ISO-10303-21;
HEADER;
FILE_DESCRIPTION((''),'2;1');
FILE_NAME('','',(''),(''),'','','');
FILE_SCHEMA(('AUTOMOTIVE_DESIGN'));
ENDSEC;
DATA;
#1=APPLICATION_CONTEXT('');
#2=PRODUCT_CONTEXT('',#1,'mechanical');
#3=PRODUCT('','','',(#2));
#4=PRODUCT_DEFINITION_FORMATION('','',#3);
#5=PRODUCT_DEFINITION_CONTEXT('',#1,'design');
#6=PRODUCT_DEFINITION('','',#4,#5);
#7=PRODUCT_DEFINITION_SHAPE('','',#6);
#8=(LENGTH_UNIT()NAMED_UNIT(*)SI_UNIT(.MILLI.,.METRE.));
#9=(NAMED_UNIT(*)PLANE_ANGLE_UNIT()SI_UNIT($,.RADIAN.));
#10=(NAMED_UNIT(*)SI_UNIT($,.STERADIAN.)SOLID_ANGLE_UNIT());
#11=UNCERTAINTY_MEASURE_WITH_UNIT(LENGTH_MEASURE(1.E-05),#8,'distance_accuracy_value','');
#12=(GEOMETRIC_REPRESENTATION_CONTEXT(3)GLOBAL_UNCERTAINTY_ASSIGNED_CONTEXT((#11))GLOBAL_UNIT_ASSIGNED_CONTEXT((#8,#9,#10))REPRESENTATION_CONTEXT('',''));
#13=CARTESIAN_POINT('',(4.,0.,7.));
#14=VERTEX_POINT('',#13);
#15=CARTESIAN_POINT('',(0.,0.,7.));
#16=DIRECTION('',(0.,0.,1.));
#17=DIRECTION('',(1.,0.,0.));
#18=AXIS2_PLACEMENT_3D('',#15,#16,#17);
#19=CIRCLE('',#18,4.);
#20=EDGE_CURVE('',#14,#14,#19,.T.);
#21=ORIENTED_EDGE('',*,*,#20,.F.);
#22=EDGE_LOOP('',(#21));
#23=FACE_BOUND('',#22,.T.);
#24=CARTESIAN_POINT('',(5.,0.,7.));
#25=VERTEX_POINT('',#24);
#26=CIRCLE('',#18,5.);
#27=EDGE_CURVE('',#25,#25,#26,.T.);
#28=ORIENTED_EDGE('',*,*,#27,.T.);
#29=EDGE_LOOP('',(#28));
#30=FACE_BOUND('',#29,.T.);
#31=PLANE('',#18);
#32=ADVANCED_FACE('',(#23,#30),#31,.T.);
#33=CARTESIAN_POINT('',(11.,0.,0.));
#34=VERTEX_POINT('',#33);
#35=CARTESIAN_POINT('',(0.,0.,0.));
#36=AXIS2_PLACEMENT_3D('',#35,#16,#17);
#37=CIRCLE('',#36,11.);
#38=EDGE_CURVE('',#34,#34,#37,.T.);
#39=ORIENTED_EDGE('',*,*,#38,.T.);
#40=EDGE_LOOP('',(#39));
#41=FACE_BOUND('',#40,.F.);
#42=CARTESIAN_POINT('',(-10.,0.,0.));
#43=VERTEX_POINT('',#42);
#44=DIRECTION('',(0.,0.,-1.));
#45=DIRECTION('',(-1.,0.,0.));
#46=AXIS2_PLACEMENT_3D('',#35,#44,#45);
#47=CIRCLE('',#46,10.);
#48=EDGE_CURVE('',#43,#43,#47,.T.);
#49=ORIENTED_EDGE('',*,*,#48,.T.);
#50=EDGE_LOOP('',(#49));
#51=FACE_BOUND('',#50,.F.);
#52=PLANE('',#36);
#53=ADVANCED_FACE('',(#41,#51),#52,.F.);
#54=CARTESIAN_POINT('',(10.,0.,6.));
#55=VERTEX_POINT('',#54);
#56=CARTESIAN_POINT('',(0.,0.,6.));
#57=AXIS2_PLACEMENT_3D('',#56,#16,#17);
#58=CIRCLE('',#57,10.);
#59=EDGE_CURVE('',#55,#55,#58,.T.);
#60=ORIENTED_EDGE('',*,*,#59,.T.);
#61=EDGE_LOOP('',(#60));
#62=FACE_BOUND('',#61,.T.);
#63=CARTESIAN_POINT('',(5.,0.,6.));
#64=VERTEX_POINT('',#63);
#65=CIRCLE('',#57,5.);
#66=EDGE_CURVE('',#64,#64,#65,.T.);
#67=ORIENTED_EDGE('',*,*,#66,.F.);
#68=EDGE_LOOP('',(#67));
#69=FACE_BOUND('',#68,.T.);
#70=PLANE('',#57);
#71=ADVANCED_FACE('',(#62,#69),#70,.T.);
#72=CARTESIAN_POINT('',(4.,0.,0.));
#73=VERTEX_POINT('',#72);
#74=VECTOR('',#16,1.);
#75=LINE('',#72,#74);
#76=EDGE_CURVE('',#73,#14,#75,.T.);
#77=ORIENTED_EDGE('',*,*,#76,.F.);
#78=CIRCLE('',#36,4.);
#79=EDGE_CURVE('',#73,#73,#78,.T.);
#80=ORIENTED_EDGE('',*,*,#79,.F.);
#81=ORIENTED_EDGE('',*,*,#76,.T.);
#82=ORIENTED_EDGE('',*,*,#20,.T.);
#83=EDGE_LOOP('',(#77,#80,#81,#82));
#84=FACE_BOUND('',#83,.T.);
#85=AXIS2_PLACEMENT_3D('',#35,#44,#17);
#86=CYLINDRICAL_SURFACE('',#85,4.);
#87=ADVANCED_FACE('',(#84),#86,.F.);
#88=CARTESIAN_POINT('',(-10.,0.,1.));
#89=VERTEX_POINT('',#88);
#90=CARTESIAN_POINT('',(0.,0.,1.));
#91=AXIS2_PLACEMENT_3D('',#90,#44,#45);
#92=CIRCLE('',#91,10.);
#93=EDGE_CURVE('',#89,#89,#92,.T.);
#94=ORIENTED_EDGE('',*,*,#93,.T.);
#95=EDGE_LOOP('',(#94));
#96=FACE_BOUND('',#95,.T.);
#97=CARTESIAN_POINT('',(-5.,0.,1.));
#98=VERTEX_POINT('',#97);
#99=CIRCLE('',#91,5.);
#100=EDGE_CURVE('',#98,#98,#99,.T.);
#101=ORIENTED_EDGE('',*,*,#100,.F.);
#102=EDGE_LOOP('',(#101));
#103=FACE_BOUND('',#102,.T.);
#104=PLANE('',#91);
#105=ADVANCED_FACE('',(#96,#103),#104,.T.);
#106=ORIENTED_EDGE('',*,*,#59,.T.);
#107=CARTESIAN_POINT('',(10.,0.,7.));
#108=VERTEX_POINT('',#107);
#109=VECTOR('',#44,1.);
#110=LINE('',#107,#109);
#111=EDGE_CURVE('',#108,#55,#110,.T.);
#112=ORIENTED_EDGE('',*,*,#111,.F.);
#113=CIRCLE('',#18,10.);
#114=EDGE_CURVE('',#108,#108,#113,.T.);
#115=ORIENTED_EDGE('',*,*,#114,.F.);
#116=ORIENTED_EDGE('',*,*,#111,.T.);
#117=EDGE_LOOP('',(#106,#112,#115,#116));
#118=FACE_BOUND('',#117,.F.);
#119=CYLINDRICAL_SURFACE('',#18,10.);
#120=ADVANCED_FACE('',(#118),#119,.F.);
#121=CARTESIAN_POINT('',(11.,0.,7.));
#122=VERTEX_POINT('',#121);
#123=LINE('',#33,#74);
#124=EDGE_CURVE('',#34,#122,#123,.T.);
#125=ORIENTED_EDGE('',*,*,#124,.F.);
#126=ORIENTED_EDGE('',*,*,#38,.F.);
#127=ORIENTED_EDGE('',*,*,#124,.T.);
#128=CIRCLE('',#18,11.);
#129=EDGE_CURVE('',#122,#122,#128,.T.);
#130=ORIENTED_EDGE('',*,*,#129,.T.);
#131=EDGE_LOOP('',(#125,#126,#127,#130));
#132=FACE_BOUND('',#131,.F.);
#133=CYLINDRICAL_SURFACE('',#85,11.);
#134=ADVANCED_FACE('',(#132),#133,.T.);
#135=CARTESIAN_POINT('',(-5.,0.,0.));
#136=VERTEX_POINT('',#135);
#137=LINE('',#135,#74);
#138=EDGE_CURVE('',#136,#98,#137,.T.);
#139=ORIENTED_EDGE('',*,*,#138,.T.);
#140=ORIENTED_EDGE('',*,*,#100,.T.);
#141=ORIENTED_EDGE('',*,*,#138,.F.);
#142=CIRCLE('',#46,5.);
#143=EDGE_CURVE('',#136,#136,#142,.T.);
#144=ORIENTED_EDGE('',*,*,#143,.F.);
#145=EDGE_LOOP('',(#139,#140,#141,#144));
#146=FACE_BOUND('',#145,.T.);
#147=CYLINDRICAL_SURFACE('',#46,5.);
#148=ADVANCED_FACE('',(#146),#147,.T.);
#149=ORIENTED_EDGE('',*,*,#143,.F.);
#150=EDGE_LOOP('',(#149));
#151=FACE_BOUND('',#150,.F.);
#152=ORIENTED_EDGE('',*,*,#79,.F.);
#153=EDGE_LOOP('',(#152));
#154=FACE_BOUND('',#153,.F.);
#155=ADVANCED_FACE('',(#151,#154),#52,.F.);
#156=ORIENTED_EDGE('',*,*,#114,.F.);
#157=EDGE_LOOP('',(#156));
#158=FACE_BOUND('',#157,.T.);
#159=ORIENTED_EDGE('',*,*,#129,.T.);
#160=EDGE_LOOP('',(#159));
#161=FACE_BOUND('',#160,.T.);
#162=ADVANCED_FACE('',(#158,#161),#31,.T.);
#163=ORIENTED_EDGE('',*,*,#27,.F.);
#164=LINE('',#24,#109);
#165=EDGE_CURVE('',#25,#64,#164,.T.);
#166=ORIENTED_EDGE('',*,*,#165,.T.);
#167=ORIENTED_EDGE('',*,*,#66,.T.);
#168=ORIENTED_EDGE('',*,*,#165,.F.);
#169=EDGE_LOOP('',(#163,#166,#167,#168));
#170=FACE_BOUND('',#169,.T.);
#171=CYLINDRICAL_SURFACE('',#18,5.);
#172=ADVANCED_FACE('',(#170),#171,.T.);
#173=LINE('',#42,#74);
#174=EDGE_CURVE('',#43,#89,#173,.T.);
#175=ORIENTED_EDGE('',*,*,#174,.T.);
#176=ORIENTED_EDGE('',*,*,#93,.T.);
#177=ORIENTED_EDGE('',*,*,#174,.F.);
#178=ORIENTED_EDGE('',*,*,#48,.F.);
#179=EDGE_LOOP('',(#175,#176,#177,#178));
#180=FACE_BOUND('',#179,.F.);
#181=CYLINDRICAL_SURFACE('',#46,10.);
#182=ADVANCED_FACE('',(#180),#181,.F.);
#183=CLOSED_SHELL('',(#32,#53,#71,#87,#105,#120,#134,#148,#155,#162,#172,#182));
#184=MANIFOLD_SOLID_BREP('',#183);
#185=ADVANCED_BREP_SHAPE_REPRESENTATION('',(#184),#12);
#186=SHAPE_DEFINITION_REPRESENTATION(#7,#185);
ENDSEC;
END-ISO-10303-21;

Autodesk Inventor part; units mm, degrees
ref_plane "YZ Plane" through (0, 0, 0) normal (1, 0, 0) x (0, 1, 0)
ref_plane "XZ Plane" through (0, 0, 0) normal (0, 1, 0) x (-1, 0, 0)
ref_plane "XY Plane" through (0, 0, 0) normal (0, 0, 1) x (1, 0, 0)
sketch "Эскиз1" plane through (0, 0, 0) normal (0, 0, 1) x (1, 0, 0)
  circle A0 centre (0, 0) radius 4
  circle A1 centre (0, 0) radius 11
  dimension "d0" = 8
  dimension "d1" = 22
extrude "Выдавливание1" add sketch "Эскиз1" along normal blind 7
sketch "Эскиз3" plane through (0, 0, 7) normal (0, 0, 1) x (1, 0, 0)
  circle A0 centre (0, 0) radius 4 projected
  circle A1 centre (0, 0) radius 4
  circle A2 centre (0, 0) radius 5
  circle A3 centre (0, 0) radius 10
  circle A4 centre (0, 0) radius 11
  dimension "d8" = 10
  dimension "d9" = 20
  dimension "d10" = 22
  dimension "d11" = 8
extrude "Выдавливание3" cut sketch "Эскиз3" against normal blind 1 contours A3
sketch "Эскиз4" plane through (0, 0, 0) normal (0, 0, -1) x (-1, 0, 0)
  circle A0 centre (0, 0) radius 4
  circle A1 centre (0, 0) radius 5
  circle A2 centre (0, 0) radius 11
  circle A3 centre (0, 0) radius 10
  dimension "d14" = 20
  dimension "d15" = 8
  dimension "d16" = 10
  dimension "d17" = 22
extrude "Выдавливание4" cut sketch "Эскиз4" against normal blind 1 contours A3
properties part number "Подшипник"
